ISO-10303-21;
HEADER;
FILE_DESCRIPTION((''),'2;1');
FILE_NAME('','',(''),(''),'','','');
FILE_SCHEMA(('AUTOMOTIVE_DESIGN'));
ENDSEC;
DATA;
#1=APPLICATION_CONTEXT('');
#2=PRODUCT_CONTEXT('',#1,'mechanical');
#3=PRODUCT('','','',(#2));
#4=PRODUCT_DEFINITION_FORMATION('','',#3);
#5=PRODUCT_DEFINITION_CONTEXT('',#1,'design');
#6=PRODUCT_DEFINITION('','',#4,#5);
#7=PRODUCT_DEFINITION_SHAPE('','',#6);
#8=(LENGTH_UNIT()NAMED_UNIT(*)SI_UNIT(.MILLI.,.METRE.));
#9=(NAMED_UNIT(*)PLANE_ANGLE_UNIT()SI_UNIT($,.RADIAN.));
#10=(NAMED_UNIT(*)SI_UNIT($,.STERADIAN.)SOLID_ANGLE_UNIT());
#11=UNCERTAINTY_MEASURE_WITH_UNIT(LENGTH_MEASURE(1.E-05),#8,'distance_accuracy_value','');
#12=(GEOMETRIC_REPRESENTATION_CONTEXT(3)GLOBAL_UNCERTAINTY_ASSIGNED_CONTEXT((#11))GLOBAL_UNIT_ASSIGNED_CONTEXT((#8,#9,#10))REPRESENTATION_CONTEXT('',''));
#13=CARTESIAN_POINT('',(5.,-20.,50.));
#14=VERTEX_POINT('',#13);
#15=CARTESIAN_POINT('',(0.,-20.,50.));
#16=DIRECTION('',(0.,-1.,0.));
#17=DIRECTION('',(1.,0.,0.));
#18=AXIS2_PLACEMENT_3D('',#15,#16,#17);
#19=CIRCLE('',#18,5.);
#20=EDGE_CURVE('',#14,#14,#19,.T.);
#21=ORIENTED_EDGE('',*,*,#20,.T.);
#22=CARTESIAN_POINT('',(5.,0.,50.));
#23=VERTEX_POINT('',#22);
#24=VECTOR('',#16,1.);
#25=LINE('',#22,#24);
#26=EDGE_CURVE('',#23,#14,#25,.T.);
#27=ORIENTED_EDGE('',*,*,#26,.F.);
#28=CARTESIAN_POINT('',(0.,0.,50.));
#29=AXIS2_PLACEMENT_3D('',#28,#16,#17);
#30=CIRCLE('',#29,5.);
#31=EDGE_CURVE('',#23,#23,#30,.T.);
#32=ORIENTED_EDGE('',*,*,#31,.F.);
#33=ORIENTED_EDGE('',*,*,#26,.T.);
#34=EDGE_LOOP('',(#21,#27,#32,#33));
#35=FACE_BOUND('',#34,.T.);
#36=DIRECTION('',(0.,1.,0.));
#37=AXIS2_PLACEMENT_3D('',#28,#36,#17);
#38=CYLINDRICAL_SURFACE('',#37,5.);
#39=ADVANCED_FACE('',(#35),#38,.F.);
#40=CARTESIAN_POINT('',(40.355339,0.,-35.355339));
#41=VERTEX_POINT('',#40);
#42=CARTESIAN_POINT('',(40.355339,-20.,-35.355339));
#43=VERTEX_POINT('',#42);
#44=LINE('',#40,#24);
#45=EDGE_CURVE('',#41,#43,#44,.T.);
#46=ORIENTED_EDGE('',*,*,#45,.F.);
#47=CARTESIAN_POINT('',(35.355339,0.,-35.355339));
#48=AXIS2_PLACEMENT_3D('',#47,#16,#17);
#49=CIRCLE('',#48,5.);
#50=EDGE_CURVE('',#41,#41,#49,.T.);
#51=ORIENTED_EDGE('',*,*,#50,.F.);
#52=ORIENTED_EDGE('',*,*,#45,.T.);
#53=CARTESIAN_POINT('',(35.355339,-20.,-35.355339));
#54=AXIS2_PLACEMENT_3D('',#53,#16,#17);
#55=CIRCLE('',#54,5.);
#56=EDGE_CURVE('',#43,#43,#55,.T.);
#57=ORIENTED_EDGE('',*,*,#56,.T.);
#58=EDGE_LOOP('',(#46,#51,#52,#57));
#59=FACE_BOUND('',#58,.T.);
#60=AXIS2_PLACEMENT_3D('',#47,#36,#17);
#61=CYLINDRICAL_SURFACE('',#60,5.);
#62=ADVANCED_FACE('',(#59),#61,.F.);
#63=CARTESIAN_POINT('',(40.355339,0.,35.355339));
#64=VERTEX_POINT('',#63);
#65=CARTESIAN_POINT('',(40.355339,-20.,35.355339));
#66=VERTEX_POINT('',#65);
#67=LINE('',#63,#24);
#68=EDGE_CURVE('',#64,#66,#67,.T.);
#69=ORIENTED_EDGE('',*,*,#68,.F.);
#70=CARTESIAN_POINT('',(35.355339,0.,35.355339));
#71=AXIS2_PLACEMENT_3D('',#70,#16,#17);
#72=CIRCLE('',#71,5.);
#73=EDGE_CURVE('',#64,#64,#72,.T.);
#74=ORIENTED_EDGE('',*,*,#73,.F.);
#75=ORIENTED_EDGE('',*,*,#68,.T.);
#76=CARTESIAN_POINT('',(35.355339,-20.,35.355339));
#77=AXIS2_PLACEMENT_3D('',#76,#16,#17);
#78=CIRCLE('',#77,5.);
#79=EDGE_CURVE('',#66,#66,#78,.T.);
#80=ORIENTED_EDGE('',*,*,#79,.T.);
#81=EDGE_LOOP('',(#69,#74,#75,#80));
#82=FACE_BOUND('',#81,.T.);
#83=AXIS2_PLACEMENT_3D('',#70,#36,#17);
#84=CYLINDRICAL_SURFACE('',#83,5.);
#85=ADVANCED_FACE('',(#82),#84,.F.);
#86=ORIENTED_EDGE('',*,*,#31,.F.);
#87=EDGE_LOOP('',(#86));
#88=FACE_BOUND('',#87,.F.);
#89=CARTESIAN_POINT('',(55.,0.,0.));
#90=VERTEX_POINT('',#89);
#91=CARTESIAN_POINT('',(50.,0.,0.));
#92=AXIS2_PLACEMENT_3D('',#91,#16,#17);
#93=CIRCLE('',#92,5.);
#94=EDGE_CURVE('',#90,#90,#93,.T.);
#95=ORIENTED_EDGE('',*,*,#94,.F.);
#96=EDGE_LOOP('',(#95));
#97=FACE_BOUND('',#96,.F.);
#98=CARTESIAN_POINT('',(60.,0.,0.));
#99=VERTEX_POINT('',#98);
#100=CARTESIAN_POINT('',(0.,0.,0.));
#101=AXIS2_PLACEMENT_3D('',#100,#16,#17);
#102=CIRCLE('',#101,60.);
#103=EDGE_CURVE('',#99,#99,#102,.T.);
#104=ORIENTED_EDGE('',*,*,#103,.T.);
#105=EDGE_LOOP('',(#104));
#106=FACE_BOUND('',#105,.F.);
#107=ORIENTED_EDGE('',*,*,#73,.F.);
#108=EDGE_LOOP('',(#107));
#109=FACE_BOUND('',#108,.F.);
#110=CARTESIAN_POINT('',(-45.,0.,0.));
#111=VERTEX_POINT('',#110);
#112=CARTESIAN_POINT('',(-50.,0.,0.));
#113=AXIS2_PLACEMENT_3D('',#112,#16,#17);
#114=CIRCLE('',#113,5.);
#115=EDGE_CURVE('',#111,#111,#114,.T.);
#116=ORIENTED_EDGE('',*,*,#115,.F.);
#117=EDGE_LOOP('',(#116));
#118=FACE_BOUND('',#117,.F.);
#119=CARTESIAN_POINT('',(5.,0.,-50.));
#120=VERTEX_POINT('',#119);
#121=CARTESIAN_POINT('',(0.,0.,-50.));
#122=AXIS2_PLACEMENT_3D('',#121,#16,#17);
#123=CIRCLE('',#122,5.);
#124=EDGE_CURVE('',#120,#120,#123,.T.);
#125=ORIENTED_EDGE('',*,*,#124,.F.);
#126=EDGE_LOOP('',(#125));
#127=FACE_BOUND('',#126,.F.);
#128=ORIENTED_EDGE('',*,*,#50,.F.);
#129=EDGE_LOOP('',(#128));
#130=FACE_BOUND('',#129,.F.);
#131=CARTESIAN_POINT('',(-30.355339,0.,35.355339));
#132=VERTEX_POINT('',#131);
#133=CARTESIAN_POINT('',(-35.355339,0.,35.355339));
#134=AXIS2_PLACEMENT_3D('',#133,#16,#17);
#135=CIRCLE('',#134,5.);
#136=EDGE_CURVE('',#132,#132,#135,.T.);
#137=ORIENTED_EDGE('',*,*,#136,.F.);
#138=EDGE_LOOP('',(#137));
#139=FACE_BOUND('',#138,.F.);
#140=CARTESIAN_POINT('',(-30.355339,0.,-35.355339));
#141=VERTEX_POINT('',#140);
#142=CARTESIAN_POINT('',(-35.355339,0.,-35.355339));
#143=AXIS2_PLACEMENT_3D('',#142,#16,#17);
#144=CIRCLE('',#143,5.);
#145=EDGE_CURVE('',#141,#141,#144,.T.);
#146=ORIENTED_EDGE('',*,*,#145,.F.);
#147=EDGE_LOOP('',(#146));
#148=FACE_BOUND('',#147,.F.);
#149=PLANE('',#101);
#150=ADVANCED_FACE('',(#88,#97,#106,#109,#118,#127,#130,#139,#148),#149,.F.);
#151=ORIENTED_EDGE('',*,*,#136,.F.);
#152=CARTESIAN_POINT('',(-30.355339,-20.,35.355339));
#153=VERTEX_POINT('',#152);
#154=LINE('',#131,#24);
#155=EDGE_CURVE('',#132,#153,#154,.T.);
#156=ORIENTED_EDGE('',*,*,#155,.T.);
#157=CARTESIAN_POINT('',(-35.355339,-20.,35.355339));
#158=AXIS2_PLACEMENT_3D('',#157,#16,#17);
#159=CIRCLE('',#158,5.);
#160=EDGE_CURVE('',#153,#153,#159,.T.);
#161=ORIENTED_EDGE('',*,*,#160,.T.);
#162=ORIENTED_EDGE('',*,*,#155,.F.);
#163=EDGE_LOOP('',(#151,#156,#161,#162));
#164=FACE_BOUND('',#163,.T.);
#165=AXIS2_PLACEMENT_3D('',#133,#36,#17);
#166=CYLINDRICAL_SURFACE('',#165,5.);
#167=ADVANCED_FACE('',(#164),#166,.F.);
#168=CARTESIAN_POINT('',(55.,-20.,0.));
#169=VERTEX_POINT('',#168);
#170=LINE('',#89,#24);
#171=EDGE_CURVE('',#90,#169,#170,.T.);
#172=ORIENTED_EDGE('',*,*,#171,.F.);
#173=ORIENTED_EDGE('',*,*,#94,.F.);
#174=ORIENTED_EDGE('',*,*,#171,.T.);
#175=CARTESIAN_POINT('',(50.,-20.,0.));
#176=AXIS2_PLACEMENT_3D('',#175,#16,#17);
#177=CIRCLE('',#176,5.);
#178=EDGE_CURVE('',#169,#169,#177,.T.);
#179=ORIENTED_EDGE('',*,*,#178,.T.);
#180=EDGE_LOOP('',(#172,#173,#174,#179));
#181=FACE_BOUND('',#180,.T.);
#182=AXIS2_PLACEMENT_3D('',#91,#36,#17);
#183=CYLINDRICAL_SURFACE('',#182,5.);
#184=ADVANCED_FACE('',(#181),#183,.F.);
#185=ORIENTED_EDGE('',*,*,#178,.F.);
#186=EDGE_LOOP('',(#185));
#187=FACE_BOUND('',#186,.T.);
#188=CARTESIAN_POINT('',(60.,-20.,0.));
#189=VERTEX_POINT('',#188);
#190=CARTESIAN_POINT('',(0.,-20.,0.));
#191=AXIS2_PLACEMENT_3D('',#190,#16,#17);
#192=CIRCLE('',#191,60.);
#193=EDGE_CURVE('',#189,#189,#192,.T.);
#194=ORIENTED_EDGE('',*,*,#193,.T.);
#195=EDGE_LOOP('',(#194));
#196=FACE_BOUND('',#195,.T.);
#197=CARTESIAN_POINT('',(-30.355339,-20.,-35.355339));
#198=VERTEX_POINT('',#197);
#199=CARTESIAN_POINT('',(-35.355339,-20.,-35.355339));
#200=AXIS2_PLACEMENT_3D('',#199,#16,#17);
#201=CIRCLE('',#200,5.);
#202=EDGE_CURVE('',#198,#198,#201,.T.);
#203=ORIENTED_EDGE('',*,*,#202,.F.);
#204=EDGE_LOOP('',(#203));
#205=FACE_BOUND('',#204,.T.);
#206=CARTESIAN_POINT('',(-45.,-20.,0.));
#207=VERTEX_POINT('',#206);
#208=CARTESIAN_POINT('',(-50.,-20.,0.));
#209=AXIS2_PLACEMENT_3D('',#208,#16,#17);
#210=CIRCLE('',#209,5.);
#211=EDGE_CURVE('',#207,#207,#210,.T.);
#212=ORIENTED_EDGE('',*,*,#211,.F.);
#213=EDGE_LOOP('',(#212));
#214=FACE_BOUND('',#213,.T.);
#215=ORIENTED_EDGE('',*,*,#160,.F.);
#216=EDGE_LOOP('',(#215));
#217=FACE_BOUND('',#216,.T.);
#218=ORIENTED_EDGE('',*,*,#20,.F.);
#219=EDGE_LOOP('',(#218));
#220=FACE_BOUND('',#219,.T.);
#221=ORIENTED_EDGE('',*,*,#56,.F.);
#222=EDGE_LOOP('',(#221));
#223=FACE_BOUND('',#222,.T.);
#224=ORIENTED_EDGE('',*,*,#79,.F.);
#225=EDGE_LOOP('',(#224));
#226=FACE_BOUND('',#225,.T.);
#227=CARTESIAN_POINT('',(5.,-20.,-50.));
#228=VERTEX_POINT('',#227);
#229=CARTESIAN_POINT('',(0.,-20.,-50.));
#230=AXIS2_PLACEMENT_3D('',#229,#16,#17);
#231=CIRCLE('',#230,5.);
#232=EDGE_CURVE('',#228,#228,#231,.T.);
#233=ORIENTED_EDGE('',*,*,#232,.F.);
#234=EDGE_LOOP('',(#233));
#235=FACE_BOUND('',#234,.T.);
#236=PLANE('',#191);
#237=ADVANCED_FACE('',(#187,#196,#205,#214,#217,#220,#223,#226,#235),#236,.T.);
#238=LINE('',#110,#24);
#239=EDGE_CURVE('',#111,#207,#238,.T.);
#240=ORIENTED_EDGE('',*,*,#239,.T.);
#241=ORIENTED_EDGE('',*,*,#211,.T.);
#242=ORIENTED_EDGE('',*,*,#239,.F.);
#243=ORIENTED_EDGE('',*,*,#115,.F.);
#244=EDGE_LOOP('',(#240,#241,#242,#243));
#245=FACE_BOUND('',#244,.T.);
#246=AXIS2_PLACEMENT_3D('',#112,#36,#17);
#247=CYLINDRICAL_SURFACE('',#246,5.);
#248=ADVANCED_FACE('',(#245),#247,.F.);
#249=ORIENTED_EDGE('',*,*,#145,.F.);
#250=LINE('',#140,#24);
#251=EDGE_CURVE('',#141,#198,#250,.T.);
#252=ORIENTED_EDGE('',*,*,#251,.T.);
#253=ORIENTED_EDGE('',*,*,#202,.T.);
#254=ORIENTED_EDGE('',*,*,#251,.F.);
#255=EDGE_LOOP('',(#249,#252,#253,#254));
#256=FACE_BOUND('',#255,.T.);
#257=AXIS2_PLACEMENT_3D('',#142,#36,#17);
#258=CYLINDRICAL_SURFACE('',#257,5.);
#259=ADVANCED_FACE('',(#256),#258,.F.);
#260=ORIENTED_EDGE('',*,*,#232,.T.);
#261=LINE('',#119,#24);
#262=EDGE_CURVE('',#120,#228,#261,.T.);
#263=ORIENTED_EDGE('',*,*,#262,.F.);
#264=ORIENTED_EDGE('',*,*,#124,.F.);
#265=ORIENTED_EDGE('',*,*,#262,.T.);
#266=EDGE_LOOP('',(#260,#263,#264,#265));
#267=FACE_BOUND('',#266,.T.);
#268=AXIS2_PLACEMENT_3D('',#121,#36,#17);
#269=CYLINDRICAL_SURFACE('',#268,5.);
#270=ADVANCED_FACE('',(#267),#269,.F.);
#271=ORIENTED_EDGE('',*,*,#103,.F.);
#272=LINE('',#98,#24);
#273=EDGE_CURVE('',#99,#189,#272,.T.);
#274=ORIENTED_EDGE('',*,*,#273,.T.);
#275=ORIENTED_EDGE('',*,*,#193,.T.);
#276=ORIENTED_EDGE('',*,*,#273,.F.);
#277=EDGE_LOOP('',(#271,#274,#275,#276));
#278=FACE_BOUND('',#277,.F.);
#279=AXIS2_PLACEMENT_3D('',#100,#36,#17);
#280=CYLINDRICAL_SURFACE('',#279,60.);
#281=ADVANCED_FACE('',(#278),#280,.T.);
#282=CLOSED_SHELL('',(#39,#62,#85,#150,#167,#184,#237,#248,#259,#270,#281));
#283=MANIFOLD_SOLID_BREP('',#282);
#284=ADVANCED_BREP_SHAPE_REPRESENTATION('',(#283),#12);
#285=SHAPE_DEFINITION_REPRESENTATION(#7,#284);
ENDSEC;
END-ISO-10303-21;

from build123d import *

# Parameters (mm, degrees)
F0_R     = 60
F0_R_2   = 5
F1_DEPTH = 20


with BuildPart() as f1:
    # F0 (on Front) → F1 (new body)
    with BuildSketch(Plane.XZ):
        Circle(F0_R)
        with Locations((-35.355339, -35.355339)):
            Circle(F0_R_2, mode=Mode.SUBTRACT)
        with Locations((0, -50)):
            Circle(F0_R_2, mode=Mode.SUBTRACT)
        with Locations((35.355339, -35.355339)):
            Circle(F0_R_2, mode=Mode.SUBTRACT)
        with Locations((-50, 0)):
            Circle(F0_R_2, mode=Mode.SUBTRACT)
        with Locations((-35.355339, 35.355339)):
            Circle(F0_R_2, mode=Mode.SUBTRACT)
        with Locations((50, 0)):
            Circle(F0_R_2, mode=Mode.SUBTRACT)
        with Locations((0, 50)):
            Circle(F0_R_2, mode=Mode.SUBTRACT)
        with Locations((35.355339, 35.355339)):
            Circle(F0_R_2, mode=Mode.SUBTRACT)
    extrude(amount=F1_DEPTH)


solid = f1.part
